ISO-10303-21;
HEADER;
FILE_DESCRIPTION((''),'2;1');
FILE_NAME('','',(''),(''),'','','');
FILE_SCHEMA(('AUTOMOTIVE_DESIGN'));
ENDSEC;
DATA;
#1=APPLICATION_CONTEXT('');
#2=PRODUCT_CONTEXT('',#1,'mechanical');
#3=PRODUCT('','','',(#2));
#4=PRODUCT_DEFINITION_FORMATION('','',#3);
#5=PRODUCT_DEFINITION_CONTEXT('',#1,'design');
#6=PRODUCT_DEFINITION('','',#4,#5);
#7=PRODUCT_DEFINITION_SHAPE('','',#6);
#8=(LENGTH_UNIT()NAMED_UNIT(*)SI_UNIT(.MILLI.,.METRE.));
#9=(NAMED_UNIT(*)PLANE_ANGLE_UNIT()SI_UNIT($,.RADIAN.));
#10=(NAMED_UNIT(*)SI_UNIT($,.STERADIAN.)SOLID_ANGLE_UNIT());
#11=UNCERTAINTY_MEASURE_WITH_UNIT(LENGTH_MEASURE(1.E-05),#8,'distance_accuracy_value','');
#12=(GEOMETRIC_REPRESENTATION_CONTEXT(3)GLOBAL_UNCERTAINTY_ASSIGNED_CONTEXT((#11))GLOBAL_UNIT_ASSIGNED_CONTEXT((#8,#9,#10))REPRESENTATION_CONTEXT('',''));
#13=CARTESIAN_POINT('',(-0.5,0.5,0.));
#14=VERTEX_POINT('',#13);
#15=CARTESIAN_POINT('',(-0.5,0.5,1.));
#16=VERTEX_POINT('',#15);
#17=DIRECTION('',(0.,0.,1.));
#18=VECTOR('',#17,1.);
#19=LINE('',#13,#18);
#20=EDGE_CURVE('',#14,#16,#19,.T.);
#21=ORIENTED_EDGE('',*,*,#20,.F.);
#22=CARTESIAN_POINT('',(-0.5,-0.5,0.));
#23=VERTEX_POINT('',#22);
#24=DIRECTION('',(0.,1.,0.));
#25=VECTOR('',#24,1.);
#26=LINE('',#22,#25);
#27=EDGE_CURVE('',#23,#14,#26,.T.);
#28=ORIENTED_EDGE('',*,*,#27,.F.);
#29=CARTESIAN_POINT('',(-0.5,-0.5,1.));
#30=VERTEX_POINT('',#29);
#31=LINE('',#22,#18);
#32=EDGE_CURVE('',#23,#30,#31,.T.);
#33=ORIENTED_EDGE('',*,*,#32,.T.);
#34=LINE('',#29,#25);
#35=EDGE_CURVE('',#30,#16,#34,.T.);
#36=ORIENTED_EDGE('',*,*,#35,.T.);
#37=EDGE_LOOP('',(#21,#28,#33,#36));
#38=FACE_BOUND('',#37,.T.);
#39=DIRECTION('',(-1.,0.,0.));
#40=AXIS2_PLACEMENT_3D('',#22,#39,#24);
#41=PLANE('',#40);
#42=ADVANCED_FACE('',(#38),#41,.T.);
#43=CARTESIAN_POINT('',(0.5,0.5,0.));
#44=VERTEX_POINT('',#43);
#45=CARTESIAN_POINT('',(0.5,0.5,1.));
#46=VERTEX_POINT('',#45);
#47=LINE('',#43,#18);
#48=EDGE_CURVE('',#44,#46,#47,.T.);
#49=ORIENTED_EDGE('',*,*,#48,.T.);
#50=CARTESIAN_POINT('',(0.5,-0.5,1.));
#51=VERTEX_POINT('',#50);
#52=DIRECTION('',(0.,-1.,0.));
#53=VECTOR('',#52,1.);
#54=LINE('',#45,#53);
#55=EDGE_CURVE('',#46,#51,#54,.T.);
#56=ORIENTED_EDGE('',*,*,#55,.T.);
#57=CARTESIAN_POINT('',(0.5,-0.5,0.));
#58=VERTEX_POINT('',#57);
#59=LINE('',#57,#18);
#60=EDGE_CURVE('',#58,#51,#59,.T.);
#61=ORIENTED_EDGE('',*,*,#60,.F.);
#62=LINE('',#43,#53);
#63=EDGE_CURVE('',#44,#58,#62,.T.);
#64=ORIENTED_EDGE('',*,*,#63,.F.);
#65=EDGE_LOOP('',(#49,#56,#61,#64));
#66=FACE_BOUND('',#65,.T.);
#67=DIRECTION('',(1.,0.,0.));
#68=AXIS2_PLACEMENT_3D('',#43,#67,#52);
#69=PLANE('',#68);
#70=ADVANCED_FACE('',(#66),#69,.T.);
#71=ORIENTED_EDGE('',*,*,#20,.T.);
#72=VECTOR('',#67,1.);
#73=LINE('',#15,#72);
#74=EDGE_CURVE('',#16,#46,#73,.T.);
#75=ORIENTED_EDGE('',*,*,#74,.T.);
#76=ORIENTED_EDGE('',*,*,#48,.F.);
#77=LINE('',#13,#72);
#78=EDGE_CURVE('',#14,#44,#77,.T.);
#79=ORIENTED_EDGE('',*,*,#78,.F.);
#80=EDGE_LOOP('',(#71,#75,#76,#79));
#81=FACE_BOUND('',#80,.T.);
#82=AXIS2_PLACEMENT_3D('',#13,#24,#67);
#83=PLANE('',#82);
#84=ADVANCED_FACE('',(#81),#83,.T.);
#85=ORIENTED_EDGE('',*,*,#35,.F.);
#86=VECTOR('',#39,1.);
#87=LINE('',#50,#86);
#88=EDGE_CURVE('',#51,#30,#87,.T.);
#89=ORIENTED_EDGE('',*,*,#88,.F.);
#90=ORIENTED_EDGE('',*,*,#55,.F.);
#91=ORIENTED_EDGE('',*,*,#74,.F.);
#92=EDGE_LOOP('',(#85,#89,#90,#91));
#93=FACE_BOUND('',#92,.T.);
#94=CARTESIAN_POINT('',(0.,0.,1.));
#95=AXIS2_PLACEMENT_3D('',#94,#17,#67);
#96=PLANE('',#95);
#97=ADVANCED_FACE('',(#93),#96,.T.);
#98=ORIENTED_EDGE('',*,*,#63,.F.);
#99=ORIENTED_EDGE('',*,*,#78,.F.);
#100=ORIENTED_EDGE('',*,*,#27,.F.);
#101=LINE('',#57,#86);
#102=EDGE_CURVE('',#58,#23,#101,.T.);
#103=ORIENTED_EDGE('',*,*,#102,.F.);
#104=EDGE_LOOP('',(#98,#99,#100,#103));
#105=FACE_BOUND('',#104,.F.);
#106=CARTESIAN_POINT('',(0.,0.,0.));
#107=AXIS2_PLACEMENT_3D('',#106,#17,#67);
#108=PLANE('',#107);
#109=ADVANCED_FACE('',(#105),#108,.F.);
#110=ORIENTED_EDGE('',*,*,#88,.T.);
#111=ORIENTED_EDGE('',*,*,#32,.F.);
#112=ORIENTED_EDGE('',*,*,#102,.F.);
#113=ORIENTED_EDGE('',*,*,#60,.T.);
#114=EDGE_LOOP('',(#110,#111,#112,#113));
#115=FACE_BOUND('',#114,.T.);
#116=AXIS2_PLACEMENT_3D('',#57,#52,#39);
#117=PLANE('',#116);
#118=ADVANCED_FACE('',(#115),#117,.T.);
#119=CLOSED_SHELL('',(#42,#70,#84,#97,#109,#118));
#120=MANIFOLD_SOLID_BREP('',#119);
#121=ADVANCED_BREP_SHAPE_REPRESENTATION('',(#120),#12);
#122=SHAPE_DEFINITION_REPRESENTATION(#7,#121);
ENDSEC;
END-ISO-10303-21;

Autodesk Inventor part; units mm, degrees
ref_plane "YZ Plane" through (0, 0, 0) normal (1, 0, 0) x (0, 1, 0)
ref_plane "XZ Plane" through (0, 0, 0) normal (0, 1, 0) x (-1, 0, 0)
ref_plane "XY Plane" through (0, 0, 0) normal (0, 0, 1) x (1, 0, 0)
sketch "TP_SMALL, TP_210" plane through (0, 0, 0) normal (0, 0, 1) x (1, 0, 0)
  line L0 (-0.5, -0.5) -> (-0.5, 0.5)
  line L1 (-0.5, 0.5) -> (0.5, 0.5)
  line L2 (0.5, 0.5) -> (0.5, -0.5)
  line L3 (0.5, -0.5) -> (-0.5, -0.5)
extrude "Extrusion1" add sketch "TP_SMALL, TP_210" along normal blind 1
properties part number "TP"
